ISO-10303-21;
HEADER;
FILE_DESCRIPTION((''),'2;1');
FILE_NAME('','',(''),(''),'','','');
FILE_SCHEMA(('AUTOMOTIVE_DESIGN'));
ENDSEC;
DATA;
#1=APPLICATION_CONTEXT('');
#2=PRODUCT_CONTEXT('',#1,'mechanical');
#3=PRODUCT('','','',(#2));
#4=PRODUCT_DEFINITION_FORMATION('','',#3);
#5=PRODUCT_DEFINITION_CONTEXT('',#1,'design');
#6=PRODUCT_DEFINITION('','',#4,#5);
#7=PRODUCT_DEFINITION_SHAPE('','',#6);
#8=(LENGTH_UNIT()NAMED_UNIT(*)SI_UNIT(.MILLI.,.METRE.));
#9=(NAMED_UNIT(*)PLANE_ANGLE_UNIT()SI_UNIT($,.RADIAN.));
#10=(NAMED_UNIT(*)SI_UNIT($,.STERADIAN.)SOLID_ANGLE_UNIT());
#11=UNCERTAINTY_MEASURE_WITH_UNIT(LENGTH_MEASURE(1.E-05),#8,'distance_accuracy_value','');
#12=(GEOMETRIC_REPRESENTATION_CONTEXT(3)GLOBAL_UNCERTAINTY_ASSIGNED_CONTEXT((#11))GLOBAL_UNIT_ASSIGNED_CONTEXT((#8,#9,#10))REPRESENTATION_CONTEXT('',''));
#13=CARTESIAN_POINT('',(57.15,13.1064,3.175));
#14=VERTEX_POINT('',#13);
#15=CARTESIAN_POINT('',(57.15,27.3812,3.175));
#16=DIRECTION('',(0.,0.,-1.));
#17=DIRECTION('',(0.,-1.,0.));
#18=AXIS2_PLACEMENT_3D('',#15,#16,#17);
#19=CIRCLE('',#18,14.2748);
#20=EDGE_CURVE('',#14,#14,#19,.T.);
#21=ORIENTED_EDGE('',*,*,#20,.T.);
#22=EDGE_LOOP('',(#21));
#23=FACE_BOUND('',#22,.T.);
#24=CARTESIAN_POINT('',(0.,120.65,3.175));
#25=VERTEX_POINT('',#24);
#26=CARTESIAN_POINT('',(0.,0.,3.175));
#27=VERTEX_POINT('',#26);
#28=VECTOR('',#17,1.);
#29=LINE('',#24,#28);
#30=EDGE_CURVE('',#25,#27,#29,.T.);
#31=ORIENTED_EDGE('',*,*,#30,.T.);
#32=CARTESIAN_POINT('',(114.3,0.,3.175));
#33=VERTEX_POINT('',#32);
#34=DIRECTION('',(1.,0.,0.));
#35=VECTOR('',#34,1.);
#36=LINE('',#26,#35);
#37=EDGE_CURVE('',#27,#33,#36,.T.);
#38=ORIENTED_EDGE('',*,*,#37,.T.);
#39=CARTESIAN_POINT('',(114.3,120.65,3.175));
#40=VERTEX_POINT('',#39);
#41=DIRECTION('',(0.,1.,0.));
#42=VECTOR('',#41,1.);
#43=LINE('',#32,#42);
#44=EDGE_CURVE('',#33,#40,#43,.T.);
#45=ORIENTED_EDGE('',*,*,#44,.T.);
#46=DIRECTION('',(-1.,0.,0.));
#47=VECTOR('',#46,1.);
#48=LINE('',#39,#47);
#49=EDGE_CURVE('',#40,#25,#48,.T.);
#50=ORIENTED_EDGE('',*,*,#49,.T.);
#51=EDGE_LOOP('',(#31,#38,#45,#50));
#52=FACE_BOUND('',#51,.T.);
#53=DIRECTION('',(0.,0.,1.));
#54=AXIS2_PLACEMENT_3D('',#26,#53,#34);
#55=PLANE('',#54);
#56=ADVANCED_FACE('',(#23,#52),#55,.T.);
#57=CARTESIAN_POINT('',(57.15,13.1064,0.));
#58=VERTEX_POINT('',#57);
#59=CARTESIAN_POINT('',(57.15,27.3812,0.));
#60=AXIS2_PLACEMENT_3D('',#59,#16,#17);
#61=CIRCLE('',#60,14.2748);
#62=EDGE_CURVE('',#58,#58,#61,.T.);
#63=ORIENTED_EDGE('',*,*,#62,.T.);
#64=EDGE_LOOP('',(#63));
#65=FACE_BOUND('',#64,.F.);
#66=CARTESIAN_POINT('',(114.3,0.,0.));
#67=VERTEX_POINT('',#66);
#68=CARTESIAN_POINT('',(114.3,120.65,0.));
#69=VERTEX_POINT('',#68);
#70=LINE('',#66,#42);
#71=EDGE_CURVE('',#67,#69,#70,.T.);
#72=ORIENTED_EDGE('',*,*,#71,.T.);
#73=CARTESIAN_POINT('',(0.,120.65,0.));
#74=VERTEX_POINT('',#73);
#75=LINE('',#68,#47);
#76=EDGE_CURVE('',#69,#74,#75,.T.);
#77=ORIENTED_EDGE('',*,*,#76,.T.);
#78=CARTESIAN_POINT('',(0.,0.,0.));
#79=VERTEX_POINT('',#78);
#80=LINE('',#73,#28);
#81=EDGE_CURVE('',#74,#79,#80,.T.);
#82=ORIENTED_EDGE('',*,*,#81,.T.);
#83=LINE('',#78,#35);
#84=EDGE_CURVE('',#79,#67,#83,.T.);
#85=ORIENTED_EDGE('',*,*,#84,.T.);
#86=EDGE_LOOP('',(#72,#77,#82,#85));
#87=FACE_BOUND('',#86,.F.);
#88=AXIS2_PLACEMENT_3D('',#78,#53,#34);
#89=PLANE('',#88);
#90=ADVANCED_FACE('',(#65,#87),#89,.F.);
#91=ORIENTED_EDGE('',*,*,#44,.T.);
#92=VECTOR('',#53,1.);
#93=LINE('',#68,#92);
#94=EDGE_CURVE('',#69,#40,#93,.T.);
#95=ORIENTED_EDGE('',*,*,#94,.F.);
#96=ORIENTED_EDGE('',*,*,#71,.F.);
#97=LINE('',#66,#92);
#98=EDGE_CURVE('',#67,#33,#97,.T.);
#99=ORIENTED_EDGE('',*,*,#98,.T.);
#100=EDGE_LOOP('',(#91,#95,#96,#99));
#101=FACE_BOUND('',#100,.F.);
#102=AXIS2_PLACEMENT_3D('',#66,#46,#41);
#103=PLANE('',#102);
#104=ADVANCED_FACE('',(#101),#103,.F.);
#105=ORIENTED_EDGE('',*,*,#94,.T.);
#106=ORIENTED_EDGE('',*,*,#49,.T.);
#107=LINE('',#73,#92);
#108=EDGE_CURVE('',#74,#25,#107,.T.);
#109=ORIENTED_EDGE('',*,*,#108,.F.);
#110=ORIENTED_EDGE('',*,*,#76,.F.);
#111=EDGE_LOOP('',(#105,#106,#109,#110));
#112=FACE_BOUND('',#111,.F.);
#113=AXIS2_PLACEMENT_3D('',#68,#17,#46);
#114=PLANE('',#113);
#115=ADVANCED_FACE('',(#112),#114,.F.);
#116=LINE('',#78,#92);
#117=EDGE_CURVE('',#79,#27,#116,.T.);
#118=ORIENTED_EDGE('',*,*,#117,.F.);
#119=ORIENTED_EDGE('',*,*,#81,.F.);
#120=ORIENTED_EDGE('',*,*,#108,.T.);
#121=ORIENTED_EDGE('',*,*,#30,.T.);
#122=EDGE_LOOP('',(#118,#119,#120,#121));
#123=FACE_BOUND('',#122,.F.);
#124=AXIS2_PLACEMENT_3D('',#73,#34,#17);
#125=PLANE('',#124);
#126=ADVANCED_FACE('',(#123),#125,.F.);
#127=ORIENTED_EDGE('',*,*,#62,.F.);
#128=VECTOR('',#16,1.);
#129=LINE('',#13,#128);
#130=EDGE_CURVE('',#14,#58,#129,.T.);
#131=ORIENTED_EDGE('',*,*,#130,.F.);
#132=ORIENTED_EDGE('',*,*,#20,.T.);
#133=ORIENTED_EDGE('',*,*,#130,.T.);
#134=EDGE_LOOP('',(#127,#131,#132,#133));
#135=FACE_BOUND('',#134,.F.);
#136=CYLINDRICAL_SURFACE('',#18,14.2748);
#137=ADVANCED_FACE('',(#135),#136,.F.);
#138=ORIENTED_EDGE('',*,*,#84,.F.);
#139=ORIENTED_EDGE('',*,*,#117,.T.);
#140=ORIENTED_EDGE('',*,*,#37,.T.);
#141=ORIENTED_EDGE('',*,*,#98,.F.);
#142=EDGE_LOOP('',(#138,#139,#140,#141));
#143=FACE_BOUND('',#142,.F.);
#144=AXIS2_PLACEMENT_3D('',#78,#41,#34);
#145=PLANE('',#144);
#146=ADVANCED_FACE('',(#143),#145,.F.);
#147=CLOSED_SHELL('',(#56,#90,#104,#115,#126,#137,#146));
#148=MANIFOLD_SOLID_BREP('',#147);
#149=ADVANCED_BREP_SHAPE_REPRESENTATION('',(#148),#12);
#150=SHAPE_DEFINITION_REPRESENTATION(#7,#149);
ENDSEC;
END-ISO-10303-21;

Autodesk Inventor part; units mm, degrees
ref_plane "YZ Plane" through (0, 0, 0) normal (1, 0, 0) x (0, 1, 0)
ref_plane "XZ Plane" through (0, 0, 0) normal (0, 1, 0) x (-1, 0, 0)
ref_plane "XY Plane" through (0, 0, 0) normal (0, 0, 1) x (1, 0, 0)
sketch "Sketch1" plane through (0, 0, 0) normal (0, 0, 1) x (1, 0, 0)
  line L0 (0, 0) -> (114.3, 0)
  line L1 (114.3, 0) -> (114.3, 120.65)
  line L2 (114.3, 120.65) -> (0, 120.65)
  line L3 (0, 120.65) -> (0, 0)
  dimension "d0" = 114.3
  dimension "d1" = 120.65
extrude "Extrusion1" add sketch "Sketch1" along normal blind 3.175
sketch "Sketch2" plane through (0, 0, 3.175) normal (0, 0, 1) x (1, 0, 0)
  line L0 (0, 0) -> (114.3, 0) projected
  line L1 (57.15, 0) -> (57.15, 27.3812)
  dimension "d4" = 27.3812
hole "Hole1" at (57.15, 27.3812, 3.175) direction (0, 0, -1) diameter 28.5496 end through all
properties part number "shaft chassis flat stock"
